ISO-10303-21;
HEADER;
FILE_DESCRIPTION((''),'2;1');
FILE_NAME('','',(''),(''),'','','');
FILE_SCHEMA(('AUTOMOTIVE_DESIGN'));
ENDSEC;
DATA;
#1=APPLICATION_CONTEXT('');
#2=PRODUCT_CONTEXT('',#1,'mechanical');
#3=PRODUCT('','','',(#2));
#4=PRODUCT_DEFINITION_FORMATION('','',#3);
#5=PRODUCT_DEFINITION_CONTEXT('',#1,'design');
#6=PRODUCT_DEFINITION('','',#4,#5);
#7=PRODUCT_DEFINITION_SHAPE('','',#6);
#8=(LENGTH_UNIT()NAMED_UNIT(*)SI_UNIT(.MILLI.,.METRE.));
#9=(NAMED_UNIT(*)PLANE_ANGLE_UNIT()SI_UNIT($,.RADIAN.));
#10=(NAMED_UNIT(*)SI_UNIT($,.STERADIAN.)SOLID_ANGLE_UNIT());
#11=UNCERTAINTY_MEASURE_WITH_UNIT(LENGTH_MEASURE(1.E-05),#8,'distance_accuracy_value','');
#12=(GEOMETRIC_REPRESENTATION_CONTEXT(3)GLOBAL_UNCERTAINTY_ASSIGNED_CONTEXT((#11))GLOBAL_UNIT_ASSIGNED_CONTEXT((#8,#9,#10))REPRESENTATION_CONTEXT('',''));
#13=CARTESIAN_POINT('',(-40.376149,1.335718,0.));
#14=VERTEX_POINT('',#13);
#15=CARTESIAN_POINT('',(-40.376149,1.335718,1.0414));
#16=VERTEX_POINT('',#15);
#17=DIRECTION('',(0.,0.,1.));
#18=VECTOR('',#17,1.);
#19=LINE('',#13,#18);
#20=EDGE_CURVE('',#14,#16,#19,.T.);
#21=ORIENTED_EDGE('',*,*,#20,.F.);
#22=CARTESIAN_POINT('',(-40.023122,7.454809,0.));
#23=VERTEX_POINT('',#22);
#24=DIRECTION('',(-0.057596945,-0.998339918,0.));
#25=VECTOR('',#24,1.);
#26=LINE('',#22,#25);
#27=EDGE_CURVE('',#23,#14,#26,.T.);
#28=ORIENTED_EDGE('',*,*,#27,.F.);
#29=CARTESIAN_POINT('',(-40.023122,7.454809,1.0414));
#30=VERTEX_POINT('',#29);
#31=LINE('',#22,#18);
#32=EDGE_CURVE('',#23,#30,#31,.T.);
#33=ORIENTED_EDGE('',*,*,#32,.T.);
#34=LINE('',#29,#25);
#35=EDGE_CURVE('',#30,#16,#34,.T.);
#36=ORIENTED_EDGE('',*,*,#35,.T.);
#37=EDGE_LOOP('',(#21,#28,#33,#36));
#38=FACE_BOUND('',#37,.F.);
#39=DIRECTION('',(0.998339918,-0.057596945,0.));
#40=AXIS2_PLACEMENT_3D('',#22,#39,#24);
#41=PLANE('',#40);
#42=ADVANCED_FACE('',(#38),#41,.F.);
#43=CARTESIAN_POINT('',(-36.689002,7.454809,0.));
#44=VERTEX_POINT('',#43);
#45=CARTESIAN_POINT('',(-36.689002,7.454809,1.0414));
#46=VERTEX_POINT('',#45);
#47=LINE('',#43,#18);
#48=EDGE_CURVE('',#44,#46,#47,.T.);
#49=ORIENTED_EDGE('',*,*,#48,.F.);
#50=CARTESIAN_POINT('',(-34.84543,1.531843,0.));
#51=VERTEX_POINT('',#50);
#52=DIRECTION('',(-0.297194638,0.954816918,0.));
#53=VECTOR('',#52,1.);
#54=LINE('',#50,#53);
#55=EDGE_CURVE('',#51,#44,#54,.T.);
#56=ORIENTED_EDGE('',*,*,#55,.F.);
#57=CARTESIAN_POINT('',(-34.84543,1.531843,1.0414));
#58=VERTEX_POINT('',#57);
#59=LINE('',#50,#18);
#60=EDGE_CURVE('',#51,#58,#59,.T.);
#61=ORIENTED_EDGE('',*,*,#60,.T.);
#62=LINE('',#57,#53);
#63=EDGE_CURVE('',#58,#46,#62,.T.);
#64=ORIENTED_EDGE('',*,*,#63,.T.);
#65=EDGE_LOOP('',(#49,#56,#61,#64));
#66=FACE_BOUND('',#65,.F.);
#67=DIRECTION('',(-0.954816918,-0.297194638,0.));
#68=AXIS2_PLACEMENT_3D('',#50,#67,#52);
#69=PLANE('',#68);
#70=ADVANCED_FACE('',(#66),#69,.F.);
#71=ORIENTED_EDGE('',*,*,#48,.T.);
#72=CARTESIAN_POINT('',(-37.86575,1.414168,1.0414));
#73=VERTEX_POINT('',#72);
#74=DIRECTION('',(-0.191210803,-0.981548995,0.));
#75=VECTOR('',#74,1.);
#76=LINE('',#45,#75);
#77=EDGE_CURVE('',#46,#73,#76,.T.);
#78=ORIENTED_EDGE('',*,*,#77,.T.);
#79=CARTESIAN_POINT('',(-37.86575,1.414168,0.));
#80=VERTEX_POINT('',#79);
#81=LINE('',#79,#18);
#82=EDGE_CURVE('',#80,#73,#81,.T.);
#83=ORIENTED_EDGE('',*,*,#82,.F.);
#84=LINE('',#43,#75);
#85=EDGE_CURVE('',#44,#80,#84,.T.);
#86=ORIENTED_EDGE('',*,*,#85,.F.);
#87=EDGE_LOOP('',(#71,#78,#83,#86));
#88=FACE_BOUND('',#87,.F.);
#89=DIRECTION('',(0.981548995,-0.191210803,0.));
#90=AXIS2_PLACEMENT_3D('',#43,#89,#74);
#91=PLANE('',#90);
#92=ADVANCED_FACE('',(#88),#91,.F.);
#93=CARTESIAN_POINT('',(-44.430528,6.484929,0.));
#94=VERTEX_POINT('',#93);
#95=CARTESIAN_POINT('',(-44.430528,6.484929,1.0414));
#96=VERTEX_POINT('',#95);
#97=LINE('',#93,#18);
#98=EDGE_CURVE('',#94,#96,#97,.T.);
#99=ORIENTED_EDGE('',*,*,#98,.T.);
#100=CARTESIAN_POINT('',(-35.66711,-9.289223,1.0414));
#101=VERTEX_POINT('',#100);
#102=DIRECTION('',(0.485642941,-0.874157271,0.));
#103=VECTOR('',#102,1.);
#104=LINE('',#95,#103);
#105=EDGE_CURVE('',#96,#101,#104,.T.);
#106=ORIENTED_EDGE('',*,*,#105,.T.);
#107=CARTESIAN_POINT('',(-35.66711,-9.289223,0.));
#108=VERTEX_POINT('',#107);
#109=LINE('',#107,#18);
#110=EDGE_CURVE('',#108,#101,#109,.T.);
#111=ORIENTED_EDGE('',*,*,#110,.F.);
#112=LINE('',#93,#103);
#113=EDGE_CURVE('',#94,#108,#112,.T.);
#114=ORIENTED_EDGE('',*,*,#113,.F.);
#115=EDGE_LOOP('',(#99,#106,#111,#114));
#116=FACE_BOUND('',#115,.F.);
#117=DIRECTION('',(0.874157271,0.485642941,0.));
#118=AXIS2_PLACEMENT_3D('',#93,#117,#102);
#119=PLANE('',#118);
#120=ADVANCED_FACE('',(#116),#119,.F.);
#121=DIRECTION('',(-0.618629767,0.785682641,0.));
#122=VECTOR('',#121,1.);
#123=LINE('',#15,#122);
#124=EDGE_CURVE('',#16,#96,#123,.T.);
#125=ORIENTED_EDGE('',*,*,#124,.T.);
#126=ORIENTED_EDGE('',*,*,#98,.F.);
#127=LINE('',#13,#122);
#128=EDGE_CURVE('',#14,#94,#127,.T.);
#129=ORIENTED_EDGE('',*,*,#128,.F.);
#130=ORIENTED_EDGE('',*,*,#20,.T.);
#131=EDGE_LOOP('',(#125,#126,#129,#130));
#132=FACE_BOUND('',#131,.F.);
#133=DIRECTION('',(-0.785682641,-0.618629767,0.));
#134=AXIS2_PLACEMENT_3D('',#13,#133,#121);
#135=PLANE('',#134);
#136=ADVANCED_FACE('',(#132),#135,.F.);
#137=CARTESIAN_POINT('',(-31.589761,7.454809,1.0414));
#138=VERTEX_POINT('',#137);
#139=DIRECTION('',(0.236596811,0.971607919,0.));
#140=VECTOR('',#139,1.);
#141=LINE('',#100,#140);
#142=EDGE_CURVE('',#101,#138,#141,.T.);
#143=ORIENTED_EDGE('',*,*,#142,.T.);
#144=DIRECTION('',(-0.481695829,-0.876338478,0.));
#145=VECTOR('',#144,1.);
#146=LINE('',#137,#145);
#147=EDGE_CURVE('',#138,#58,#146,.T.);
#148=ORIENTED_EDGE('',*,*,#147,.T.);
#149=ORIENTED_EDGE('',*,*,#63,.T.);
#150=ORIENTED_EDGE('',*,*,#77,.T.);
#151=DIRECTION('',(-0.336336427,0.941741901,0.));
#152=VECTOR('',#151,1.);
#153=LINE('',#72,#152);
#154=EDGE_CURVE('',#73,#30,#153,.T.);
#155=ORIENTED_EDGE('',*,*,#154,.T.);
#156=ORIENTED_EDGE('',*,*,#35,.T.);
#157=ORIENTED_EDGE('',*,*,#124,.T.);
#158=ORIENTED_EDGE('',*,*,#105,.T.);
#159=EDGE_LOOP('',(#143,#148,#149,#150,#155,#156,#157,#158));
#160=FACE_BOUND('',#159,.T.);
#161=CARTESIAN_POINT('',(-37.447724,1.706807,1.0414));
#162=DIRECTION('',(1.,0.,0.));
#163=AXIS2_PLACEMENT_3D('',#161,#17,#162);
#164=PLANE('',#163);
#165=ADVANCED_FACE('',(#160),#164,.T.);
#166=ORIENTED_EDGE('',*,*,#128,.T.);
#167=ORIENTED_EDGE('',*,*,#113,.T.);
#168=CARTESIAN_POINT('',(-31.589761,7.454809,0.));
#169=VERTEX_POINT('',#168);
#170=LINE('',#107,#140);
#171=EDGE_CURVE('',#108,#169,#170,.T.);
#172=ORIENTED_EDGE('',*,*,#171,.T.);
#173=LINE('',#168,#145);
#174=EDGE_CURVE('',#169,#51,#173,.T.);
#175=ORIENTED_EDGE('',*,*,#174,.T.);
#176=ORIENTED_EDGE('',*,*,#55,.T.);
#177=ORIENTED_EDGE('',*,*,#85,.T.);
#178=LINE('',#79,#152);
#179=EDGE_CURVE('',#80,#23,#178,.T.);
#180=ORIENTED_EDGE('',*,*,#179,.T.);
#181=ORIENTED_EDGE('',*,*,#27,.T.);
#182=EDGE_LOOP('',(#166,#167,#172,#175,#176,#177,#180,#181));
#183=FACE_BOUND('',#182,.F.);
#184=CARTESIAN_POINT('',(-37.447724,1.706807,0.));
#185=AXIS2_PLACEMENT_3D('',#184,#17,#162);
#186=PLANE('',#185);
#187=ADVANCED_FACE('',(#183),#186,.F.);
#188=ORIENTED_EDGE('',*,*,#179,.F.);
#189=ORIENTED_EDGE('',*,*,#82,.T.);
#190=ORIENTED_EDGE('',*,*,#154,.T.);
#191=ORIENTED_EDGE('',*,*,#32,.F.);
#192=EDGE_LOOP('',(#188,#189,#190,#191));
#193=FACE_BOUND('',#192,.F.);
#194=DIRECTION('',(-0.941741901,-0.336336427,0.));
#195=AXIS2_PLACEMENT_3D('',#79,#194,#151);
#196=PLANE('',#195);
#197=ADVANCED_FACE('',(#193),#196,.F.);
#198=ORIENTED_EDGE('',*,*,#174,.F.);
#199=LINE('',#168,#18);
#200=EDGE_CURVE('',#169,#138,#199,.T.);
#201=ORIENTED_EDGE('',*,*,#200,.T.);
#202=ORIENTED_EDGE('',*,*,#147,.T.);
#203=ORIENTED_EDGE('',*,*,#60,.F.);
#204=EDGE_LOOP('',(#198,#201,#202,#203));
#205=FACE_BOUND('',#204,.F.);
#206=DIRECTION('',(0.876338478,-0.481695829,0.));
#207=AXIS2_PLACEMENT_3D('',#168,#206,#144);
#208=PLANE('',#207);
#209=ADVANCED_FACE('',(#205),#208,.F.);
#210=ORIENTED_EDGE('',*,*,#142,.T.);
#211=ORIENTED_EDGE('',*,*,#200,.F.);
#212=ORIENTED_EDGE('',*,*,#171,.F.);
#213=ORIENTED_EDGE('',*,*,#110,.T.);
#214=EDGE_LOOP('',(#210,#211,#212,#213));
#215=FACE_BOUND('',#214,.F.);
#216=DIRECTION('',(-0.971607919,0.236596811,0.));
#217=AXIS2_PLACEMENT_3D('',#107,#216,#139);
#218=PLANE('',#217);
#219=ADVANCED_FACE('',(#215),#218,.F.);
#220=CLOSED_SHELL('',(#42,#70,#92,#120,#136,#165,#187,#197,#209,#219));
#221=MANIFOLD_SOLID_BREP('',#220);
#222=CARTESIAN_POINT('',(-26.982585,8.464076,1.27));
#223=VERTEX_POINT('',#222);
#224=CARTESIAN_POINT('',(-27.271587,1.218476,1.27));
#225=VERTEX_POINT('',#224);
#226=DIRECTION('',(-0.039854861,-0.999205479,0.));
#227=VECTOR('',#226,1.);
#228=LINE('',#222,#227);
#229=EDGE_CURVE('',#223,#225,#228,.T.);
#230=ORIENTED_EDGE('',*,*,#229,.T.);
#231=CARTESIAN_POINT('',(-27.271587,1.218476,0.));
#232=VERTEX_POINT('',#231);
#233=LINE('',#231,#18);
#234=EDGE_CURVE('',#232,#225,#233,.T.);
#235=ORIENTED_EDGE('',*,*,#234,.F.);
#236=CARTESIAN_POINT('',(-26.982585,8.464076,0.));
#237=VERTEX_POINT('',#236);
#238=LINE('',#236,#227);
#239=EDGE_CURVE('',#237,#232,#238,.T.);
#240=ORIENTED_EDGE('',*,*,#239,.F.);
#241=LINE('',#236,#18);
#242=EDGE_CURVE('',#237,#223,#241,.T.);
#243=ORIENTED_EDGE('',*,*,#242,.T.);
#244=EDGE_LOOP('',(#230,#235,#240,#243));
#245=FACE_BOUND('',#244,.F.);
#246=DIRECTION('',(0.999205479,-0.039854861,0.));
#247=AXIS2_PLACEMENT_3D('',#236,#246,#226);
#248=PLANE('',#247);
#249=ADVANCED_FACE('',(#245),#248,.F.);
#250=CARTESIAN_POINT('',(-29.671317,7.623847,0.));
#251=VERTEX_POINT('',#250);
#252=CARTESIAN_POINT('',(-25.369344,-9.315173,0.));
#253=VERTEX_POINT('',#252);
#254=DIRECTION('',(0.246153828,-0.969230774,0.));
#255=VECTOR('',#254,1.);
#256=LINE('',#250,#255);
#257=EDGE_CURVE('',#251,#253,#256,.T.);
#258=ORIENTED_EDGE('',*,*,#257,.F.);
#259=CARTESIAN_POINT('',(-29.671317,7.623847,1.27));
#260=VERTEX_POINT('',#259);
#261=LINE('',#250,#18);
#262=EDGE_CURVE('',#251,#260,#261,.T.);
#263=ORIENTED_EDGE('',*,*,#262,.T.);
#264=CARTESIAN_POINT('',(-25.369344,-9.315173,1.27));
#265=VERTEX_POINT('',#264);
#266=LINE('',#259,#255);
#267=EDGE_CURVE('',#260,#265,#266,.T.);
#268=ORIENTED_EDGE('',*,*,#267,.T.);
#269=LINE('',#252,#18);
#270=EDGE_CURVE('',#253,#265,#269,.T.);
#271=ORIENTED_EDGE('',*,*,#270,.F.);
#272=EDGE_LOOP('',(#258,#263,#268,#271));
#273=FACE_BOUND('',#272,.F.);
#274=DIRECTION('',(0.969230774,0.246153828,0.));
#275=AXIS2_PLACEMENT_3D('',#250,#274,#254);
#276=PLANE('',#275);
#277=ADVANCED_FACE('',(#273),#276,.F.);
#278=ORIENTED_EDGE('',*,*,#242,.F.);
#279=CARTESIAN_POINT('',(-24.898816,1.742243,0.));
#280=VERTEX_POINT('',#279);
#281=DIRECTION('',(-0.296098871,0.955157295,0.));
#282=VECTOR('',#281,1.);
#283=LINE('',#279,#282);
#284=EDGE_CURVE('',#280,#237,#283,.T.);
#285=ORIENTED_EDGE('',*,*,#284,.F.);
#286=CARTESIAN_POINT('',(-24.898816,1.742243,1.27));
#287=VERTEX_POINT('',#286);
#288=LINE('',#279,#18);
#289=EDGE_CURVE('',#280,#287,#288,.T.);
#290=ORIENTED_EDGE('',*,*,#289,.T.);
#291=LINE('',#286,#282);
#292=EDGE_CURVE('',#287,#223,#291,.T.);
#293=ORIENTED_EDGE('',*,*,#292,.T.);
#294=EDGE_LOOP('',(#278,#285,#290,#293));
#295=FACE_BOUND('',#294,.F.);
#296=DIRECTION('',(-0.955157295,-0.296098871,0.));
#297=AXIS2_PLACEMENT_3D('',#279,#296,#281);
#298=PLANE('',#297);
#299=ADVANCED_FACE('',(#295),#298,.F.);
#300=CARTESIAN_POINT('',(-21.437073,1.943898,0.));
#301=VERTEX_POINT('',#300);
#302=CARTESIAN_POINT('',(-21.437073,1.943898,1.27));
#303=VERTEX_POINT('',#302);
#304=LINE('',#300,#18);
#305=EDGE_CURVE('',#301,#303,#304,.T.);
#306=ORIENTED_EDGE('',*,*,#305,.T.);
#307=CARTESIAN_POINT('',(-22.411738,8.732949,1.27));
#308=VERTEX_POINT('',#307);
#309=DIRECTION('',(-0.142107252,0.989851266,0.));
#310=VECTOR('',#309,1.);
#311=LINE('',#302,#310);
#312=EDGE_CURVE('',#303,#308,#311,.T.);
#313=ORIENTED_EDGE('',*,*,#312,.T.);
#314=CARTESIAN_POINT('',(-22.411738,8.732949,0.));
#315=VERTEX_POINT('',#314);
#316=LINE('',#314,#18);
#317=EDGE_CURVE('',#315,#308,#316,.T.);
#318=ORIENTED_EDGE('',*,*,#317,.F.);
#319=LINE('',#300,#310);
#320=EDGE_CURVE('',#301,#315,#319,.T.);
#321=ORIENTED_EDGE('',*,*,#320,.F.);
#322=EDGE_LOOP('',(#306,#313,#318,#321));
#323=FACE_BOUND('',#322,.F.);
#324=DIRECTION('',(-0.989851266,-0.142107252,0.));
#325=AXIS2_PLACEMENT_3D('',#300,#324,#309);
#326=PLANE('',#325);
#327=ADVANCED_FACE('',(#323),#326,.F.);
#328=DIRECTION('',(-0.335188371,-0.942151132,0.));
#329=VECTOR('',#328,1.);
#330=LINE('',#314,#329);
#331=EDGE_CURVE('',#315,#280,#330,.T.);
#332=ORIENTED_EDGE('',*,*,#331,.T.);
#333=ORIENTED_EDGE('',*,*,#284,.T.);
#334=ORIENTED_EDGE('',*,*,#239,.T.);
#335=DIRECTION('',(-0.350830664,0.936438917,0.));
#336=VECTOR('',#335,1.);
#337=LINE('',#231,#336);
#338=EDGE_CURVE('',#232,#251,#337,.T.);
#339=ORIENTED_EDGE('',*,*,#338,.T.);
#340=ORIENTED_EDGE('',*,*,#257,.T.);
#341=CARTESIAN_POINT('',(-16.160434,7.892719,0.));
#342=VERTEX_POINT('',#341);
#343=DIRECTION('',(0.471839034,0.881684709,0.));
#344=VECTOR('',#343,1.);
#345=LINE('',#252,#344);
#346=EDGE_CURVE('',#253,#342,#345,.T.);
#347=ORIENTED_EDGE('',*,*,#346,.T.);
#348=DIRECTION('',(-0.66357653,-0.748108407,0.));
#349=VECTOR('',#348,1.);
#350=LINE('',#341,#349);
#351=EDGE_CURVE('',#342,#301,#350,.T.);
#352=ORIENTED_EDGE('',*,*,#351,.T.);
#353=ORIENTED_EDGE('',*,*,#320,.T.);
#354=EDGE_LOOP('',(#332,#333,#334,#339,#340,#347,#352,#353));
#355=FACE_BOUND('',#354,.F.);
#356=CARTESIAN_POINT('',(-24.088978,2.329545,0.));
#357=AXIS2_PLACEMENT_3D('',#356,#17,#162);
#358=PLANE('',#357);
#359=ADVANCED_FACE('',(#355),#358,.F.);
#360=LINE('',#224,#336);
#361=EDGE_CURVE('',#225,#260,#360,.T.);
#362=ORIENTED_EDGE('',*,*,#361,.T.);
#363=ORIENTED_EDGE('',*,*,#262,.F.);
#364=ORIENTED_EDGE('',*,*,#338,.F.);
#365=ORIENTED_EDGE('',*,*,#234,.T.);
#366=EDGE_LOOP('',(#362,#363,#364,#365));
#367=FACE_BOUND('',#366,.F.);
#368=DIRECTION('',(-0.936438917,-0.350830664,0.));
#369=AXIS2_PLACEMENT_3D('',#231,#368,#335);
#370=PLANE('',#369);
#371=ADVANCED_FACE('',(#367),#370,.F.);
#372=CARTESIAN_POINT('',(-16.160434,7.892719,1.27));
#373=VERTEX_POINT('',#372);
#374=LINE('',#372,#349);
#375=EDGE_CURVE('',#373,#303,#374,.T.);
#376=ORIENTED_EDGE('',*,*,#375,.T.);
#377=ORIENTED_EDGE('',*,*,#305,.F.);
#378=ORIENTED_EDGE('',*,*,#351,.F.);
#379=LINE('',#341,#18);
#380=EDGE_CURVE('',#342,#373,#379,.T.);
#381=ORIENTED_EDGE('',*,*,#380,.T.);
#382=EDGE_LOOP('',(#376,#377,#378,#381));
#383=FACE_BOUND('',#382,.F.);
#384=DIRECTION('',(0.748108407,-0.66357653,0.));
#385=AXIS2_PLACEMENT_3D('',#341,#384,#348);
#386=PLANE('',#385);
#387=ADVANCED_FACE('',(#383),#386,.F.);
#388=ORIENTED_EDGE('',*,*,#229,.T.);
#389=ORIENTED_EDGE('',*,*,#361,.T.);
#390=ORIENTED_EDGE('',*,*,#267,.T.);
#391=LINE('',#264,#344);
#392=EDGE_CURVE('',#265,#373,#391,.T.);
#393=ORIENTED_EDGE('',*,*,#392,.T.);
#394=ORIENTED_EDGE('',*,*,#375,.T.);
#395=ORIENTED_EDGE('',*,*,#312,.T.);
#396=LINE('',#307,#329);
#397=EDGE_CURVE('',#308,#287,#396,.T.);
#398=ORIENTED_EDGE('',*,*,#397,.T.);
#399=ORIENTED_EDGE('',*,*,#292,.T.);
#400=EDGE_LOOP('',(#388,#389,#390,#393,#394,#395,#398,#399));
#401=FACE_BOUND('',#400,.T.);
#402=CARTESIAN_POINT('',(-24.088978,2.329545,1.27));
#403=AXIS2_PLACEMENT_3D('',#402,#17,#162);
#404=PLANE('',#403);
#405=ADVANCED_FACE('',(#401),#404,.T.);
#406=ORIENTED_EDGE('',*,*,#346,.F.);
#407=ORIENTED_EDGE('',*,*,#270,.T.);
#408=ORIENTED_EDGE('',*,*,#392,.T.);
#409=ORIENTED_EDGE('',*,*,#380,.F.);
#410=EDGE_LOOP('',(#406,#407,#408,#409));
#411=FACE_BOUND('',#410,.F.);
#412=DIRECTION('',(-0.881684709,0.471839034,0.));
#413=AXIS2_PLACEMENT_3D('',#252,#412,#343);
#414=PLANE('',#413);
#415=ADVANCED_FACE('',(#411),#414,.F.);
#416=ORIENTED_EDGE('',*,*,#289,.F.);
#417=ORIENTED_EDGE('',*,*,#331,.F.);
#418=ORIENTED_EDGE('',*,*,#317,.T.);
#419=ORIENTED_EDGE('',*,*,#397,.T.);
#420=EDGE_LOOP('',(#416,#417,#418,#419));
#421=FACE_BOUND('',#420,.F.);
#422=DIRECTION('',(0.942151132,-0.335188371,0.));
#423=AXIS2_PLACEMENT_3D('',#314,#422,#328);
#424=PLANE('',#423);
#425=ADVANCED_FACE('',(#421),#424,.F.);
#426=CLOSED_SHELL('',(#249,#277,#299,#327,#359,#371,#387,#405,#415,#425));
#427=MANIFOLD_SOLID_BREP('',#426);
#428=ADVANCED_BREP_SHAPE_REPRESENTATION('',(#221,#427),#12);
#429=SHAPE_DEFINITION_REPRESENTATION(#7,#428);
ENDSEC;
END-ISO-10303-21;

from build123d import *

# Parameters (mm, degrees)
F1_DEPTH = 1.0414
F3_DEPTH = 1.27


with BuildPart() as f1:
    # F0 (on Top) → F1 (new body)
    with BuildSketch(Plane.XY):
        Polygon((-40.376149, 1.335718), (-44.430528, 6.484929), (-35.66711, -9.289223), (-31.589761, 7.454809), (-34.84543, 1.531843), (-36.689002, 7.454809), (-37.86575, 1.414168), (-40.023122, 7.454809), align=None)
    extrude(amount=F1_DEPTH)


with BuildPart() as f3:
    # F2 (on Top) → F3 (new body)
    with BuildSketch(Plane.XY):
        Polygon((-27.271587, 1.218476), (-29.671317, 7.623847), (-25.369344, -9.315173), (-16.160434, 7.892719), (-21.437073, 1.943898), (-22.411738, 8.732949), (-24.898816, 1.742243), (-26.982585, 8.464076), align=None)
    extrude(amount=F3_DEPTH)


solid = Compound([f1.part, f3.part])
